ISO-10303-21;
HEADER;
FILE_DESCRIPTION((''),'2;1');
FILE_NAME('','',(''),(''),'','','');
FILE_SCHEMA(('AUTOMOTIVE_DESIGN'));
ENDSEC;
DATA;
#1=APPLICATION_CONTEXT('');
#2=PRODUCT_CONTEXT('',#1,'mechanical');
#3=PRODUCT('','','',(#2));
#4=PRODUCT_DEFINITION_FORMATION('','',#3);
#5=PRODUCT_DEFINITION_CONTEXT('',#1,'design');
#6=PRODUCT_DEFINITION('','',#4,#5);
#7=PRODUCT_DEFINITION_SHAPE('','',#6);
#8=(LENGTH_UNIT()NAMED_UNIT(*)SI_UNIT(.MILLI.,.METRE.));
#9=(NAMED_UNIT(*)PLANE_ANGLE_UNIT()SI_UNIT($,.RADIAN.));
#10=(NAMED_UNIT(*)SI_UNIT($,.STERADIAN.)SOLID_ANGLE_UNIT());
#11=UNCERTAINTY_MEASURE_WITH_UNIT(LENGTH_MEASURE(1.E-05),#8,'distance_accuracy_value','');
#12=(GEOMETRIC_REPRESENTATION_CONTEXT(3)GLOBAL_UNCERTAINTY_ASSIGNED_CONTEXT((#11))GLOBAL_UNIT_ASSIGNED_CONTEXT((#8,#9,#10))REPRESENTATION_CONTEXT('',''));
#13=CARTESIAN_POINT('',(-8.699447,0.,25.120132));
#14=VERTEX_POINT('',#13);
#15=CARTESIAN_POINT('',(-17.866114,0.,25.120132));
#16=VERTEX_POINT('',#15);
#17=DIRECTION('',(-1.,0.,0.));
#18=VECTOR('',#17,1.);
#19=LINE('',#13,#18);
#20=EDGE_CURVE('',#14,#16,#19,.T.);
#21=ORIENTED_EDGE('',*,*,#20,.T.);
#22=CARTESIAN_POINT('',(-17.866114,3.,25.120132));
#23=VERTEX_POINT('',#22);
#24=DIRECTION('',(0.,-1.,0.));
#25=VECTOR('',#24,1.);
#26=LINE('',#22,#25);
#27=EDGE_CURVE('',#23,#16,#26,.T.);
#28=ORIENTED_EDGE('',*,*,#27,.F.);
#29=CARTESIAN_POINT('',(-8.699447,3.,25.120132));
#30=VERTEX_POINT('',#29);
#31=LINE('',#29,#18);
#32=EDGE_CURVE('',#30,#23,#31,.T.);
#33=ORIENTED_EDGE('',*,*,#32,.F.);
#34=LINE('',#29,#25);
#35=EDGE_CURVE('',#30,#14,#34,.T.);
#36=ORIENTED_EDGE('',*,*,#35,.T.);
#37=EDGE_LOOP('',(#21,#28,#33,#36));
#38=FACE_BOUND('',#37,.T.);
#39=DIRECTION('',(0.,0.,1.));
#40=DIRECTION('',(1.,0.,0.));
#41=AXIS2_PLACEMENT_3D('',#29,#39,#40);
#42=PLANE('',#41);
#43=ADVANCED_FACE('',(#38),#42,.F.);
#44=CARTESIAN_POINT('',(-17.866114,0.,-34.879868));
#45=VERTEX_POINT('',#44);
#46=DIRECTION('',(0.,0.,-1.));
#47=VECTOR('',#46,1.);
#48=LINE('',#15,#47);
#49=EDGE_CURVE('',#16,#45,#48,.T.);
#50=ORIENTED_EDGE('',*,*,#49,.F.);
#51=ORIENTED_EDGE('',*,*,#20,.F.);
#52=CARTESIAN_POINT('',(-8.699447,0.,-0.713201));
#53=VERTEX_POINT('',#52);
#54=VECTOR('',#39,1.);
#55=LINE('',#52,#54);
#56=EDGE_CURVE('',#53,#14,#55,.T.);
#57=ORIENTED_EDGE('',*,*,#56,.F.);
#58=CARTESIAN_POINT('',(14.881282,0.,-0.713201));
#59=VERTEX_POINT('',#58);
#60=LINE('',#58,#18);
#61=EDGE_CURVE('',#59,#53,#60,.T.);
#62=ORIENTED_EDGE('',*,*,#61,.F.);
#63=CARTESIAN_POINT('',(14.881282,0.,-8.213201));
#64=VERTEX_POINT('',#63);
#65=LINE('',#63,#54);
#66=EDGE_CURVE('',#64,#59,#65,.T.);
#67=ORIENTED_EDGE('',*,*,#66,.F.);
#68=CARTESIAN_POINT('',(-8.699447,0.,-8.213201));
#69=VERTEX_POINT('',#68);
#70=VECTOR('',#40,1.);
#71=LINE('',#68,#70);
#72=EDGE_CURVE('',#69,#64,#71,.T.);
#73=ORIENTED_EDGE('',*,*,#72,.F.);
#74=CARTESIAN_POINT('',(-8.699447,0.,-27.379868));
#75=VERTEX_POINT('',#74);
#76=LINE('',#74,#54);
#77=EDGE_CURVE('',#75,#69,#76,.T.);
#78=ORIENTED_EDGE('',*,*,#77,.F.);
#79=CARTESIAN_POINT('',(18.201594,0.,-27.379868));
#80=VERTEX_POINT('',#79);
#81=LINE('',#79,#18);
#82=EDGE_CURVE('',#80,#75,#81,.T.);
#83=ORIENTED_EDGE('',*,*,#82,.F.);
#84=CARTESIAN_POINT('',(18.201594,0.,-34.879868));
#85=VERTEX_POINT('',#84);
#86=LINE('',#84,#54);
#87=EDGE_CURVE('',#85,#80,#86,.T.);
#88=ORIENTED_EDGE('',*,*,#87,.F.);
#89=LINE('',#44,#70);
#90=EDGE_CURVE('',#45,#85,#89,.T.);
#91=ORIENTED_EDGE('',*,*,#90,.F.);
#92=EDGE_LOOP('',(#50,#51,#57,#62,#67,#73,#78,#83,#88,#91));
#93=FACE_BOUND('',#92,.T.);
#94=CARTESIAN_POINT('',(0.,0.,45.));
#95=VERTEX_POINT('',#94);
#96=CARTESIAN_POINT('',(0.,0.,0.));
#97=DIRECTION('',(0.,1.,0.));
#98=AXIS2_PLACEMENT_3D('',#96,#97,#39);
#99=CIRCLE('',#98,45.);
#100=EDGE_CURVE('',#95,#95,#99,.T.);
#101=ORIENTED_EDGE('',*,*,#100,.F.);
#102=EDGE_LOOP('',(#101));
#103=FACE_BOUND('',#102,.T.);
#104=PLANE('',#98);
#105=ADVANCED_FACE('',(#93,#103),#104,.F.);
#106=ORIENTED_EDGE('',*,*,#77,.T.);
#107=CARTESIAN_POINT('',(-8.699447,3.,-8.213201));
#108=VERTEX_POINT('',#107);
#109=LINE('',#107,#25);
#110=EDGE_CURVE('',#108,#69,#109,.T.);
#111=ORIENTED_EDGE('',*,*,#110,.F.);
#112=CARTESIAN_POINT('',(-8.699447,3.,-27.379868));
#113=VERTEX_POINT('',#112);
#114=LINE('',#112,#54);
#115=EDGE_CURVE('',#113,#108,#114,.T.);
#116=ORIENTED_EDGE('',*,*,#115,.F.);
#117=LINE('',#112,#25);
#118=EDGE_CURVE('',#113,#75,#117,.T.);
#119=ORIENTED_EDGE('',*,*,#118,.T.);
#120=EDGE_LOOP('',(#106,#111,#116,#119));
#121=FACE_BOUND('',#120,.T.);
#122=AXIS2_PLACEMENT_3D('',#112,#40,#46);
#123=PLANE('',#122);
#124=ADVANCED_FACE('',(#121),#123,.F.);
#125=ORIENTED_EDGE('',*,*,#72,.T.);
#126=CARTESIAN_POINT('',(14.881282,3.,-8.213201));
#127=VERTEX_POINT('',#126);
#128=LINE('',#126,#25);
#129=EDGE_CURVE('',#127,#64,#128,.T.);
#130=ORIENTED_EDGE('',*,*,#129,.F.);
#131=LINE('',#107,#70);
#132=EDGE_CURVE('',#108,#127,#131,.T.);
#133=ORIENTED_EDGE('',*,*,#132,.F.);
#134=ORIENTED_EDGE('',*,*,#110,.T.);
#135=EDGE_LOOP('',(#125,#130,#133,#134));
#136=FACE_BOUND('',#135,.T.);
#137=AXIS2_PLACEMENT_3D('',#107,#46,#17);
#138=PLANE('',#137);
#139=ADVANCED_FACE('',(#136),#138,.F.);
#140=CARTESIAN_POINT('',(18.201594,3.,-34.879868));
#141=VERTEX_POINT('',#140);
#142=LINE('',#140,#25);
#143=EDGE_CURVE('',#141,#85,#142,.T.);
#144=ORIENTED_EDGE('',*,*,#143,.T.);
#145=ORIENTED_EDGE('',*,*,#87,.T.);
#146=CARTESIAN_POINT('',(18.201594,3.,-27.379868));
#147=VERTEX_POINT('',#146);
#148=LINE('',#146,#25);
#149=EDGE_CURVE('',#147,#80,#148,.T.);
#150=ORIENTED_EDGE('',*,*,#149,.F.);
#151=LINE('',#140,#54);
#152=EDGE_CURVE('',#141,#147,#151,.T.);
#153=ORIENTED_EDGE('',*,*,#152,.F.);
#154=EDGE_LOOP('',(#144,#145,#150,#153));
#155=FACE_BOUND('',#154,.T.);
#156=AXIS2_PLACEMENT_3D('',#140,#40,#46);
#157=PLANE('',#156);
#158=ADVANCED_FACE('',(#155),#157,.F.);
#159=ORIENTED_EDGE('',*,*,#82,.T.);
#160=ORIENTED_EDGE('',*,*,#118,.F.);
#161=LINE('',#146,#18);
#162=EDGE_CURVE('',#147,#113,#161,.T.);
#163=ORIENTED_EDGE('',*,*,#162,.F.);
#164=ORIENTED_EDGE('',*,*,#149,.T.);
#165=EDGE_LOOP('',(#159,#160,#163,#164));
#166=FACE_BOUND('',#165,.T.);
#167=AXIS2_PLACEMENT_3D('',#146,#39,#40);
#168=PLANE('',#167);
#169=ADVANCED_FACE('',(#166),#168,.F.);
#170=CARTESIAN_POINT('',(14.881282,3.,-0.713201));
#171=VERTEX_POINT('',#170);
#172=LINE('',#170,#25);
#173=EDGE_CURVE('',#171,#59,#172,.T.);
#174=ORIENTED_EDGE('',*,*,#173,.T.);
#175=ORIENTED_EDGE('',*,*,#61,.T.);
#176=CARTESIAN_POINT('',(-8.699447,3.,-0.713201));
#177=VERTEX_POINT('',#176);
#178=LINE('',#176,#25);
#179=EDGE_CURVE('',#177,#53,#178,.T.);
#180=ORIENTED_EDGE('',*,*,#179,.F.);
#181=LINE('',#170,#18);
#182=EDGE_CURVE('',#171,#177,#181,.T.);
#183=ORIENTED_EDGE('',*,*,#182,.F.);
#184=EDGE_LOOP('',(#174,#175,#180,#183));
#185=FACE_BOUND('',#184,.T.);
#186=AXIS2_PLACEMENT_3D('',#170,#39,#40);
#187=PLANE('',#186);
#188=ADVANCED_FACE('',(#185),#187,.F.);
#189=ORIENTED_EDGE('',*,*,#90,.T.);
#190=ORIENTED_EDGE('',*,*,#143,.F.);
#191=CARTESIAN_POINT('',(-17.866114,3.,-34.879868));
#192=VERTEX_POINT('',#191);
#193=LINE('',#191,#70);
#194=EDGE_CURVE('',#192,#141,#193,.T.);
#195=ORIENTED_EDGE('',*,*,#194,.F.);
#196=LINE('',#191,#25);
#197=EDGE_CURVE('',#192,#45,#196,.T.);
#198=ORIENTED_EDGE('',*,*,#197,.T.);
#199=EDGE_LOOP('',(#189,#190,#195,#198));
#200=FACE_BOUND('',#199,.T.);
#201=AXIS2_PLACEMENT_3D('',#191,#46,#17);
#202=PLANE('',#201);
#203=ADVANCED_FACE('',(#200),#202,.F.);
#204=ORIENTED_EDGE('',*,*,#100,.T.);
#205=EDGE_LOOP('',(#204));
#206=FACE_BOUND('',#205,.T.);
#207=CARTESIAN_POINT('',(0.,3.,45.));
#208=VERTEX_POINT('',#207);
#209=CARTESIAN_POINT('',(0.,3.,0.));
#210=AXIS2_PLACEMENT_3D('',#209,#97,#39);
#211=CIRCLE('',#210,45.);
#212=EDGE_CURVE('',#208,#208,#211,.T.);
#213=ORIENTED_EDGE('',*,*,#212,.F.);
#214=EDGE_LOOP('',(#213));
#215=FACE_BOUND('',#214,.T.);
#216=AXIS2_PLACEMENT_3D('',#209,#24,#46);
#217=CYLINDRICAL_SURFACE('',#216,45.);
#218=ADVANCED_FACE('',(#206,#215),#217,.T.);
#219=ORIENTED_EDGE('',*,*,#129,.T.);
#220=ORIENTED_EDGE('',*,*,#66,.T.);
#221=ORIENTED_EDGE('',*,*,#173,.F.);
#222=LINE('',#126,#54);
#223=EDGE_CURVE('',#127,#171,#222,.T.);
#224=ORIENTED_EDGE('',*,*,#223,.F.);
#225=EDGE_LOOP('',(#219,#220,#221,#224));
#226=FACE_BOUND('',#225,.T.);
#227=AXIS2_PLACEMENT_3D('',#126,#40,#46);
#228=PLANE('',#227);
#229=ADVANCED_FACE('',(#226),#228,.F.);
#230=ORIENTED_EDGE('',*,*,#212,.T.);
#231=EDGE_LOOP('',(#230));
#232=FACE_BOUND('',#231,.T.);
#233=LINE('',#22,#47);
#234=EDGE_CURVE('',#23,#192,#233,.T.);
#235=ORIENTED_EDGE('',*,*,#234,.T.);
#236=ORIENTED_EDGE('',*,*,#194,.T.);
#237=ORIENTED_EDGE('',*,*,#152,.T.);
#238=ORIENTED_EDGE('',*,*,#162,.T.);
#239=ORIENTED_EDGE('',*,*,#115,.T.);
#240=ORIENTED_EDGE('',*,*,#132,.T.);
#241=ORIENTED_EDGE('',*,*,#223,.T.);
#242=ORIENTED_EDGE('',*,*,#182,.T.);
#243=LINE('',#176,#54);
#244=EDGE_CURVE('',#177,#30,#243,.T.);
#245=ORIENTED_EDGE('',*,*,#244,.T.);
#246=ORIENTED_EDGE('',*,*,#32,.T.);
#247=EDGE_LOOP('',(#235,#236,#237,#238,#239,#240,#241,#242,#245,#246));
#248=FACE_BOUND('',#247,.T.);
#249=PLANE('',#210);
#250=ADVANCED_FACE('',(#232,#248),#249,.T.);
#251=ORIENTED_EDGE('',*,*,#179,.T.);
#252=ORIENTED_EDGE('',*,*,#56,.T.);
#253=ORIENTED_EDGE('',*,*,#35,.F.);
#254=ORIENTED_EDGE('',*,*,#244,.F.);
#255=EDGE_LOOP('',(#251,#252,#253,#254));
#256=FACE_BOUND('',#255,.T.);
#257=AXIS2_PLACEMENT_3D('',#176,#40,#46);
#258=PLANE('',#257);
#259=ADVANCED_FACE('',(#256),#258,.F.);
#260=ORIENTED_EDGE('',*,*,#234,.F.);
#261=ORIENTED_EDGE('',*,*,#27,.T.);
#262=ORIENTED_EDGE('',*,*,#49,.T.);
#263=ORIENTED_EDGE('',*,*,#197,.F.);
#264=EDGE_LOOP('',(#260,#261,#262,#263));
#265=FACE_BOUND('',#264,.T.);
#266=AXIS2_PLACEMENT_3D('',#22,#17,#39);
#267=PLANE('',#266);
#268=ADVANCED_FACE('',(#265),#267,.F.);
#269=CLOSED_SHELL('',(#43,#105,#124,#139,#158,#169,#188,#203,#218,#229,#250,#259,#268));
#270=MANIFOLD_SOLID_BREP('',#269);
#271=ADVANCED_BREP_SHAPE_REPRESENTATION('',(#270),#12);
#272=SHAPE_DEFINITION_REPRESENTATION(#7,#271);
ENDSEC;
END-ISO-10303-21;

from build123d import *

# Parameters (mm, degrees)
SKETCH1_R           = 45
BOSS_EXTRUDE1_DEPTH = 3


with BuildPart() as part:
    # Sketch1 → Boss-Extrude1 (new body)
    with BuildSketch(Plane(origin=(0, 0, 0), x_dir=(1, 0, 0), z_dir=(0, 1, 0))):
        with Locations(Location((0, 0, 0), (0, 0, 270))):  # turned: the seam where the file's is
            Circle(SKETCH1_R)
        Polygon((18.201594334, 34.879867703), (18.201594334, 27.379867703), (-8.699447333, 27.379867703), (-8.699447333, 8.213201037), (14.881281834, 8.213201037), (14.881281834, 0.713201037), (-8.699447333, 0.713201037), (-8.699447333, -25.120132297), (-17.866113999, -25.120132297), (-17.866113999, 34.879867703), align=None, mode=Mode.SUBTRACT)
    extrude(amount=BOSS_EXTRUDE1_DEPTH)


solid = part.part
